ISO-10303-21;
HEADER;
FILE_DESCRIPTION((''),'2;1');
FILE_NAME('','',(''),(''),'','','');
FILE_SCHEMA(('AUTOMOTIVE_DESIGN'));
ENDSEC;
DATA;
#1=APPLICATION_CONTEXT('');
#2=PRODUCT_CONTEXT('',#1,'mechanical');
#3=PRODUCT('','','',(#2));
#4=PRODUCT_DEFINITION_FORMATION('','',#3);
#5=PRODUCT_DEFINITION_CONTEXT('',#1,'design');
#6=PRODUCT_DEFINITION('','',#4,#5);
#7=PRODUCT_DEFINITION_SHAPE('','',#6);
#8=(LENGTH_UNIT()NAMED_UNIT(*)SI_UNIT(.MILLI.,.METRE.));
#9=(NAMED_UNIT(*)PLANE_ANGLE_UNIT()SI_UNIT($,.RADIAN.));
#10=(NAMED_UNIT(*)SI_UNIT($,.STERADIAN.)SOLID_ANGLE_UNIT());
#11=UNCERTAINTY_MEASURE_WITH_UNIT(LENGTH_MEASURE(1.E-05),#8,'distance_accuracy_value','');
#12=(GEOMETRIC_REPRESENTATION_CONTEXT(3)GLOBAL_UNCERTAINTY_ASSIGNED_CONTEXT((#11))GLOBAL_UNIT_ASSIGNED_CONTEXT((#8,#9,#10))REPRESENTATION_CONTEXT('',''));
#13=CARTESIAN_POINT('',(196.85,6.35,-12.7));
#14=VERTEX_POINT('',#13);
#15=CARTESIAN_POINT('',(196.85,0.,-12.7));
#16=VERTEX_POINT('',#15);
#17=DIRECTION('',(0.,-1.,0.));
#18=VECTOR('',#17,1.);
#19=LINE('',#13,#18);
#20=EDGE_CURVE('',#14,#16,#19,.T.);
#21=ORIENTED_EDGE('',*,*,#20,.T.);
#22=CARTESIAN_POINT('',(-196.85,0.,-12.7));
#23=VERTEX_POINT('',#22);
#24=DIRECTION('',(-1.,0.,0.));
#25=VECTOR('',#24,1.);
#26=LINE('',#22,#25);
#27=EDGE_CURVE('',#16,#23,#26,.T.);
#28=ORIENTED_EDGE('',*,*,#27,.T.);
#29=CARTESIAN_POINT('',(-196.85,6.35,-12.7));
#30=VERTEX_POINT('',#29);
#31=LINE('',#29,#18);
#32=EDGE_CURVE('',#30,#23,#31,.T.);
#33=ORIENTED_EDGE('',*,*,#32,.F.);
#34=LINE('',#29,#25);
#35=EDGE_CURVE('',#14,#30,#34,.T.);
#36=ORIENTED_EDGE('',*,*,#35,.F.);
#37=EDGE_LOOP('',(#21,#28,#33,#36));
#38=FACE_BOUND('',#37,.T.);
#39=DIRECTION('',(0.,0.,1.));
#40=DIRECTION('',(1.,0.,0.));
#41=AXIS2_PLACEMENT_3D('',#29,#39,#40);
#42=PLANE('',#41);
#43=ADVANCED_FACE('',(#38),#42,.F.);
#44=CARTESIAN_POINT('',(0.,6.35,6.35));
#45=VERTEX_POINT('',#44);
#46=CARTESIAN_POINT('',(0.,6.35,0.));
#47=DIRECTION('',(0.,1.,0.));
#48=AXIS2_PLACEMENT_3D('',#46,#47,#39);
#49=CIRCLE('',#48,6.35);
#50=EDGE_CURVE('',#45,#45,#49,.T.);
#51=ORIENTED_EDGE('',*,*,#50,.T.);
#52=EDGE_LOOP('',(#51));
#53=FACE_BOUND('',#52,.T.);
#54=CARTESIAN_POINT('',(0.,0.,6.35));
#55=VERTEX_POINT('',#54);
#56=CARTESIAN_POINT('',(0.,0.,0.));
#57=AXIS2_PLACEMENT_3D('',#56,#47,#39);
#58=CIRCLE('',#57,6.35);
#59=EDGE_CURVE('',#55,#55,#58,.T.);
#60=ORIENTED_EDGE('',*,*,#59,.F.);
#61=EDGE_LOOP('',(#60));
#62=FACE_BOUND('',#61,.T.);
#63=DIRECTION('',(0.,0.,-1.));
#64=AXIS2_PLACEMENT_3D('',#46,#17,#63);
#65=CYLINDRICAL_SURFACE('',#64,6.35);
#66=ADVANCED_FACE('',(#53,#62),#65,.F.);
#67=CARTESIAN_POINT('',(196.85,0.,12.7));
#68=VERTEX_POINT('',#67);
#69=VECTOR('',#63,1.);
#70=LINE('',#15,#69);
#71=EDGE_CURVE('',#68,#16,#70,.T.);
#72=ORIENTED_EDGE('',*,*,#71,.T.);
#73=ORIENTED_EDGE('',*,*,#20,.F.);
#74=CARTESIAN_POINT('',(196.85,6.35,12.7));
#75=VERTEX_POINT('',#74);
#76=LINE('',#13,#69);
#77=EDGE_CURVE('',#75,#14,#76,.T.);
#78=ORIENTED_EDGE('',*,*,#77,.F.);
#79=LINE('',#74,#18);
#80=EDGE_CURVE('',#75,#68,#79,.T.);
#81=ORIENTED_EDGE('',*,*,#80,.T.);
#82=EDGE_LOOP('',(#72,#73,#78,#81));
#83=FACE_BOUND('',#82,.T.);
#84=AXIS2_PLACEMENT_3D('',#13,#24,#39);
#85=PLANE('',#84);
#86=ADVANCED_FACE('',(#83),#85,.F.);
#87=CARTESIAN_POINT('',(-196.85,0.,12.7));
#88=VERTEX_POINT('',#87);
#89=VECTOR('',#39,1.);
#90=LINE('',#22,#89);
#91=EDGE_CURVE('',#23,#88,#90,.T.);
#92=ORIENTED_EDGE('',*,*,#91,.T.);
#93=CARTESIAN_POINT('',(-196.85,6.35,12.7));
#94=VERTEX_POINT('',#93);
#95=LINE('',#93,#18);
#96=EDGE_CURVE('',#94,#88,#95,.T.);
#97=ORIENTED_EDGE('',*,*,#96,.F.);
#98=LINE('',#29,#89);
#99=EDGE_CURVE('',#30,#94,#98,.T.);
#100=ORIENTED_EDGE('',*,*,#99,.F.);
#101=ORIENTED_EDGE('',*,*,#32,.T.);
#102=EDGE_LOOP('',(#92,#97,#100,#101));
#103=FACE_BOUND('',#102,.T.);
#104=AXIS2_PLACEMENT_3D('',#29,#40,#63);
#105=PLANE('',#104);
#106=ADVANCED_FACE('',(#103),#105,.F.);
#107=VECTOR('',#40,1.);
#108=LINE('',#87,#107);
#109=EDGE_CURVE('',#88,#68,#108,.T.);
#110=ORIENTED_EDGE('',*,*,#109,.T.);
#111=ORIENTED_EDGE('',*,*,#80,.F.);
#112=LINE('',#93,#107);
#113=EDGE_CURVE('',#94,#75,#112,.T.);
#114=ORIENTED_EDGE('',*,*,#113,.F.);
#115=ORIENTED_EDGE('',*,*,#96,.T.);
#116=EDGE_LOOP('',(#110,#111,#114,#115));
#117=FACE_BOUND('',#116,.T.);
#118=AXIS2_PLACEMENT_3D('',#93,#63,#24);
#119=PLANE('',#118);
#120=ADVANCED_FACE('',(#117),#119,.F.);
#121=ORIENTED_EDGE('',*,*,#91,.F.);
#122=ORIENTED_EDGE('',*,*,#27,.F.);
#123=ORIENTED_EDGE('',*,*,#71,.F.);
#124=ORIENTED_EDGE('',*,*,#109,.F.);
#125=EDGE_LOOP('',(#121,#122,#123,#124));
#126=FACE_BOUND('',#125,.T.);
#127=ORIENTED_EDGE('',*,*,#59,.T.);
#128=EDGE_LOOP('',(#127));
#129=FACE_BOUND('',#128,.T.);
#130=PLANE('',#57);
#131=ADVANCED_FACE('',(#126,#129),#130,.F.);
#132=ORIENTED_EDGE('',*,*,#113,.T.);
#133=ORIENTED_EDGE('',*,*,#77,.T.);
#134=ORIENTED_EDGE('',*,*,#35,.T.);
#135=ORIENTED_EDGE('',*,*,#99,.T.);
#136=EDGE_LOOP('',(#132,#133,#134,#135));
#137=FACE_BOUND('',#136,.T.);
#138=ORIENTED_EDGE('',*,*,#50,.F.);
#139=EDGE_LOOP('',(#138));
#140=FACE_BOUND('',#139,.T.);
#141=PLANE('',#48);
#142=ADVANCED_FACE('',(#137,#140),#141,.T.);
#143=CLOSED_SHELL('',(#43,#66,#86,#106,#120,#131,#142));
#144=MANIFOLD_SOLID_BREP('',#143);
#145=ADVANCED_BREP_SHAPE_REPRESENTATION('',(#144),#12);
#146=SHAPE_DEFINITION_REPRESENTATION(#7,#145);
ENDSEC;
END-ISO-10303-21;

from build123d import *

# Parameters (mm, degrees)
SKETCH2_W           = 393.7
SKETCH2_H           = 25.4
SKETCH2_R           = 6.35
BOSS_EXTRUDE1_DEPTH = 6.35


with BuildPart() as part:
    # Sketch2 → Boss-Extrude1 (new body)
    with BuildSketch(Plane(origin=(0, 0, 0), x_dir=(1, 0, 0), z_dir=(0, 1, 0))):
        Rectangle(SKETCH2_W, SKETCH2_H)
        Circle(SKETCH2_R, mode=Mode.SUBTRACT)
    extrude(amount=BOSS_EXTRUDE1_DEPTH)


solid = part.part
